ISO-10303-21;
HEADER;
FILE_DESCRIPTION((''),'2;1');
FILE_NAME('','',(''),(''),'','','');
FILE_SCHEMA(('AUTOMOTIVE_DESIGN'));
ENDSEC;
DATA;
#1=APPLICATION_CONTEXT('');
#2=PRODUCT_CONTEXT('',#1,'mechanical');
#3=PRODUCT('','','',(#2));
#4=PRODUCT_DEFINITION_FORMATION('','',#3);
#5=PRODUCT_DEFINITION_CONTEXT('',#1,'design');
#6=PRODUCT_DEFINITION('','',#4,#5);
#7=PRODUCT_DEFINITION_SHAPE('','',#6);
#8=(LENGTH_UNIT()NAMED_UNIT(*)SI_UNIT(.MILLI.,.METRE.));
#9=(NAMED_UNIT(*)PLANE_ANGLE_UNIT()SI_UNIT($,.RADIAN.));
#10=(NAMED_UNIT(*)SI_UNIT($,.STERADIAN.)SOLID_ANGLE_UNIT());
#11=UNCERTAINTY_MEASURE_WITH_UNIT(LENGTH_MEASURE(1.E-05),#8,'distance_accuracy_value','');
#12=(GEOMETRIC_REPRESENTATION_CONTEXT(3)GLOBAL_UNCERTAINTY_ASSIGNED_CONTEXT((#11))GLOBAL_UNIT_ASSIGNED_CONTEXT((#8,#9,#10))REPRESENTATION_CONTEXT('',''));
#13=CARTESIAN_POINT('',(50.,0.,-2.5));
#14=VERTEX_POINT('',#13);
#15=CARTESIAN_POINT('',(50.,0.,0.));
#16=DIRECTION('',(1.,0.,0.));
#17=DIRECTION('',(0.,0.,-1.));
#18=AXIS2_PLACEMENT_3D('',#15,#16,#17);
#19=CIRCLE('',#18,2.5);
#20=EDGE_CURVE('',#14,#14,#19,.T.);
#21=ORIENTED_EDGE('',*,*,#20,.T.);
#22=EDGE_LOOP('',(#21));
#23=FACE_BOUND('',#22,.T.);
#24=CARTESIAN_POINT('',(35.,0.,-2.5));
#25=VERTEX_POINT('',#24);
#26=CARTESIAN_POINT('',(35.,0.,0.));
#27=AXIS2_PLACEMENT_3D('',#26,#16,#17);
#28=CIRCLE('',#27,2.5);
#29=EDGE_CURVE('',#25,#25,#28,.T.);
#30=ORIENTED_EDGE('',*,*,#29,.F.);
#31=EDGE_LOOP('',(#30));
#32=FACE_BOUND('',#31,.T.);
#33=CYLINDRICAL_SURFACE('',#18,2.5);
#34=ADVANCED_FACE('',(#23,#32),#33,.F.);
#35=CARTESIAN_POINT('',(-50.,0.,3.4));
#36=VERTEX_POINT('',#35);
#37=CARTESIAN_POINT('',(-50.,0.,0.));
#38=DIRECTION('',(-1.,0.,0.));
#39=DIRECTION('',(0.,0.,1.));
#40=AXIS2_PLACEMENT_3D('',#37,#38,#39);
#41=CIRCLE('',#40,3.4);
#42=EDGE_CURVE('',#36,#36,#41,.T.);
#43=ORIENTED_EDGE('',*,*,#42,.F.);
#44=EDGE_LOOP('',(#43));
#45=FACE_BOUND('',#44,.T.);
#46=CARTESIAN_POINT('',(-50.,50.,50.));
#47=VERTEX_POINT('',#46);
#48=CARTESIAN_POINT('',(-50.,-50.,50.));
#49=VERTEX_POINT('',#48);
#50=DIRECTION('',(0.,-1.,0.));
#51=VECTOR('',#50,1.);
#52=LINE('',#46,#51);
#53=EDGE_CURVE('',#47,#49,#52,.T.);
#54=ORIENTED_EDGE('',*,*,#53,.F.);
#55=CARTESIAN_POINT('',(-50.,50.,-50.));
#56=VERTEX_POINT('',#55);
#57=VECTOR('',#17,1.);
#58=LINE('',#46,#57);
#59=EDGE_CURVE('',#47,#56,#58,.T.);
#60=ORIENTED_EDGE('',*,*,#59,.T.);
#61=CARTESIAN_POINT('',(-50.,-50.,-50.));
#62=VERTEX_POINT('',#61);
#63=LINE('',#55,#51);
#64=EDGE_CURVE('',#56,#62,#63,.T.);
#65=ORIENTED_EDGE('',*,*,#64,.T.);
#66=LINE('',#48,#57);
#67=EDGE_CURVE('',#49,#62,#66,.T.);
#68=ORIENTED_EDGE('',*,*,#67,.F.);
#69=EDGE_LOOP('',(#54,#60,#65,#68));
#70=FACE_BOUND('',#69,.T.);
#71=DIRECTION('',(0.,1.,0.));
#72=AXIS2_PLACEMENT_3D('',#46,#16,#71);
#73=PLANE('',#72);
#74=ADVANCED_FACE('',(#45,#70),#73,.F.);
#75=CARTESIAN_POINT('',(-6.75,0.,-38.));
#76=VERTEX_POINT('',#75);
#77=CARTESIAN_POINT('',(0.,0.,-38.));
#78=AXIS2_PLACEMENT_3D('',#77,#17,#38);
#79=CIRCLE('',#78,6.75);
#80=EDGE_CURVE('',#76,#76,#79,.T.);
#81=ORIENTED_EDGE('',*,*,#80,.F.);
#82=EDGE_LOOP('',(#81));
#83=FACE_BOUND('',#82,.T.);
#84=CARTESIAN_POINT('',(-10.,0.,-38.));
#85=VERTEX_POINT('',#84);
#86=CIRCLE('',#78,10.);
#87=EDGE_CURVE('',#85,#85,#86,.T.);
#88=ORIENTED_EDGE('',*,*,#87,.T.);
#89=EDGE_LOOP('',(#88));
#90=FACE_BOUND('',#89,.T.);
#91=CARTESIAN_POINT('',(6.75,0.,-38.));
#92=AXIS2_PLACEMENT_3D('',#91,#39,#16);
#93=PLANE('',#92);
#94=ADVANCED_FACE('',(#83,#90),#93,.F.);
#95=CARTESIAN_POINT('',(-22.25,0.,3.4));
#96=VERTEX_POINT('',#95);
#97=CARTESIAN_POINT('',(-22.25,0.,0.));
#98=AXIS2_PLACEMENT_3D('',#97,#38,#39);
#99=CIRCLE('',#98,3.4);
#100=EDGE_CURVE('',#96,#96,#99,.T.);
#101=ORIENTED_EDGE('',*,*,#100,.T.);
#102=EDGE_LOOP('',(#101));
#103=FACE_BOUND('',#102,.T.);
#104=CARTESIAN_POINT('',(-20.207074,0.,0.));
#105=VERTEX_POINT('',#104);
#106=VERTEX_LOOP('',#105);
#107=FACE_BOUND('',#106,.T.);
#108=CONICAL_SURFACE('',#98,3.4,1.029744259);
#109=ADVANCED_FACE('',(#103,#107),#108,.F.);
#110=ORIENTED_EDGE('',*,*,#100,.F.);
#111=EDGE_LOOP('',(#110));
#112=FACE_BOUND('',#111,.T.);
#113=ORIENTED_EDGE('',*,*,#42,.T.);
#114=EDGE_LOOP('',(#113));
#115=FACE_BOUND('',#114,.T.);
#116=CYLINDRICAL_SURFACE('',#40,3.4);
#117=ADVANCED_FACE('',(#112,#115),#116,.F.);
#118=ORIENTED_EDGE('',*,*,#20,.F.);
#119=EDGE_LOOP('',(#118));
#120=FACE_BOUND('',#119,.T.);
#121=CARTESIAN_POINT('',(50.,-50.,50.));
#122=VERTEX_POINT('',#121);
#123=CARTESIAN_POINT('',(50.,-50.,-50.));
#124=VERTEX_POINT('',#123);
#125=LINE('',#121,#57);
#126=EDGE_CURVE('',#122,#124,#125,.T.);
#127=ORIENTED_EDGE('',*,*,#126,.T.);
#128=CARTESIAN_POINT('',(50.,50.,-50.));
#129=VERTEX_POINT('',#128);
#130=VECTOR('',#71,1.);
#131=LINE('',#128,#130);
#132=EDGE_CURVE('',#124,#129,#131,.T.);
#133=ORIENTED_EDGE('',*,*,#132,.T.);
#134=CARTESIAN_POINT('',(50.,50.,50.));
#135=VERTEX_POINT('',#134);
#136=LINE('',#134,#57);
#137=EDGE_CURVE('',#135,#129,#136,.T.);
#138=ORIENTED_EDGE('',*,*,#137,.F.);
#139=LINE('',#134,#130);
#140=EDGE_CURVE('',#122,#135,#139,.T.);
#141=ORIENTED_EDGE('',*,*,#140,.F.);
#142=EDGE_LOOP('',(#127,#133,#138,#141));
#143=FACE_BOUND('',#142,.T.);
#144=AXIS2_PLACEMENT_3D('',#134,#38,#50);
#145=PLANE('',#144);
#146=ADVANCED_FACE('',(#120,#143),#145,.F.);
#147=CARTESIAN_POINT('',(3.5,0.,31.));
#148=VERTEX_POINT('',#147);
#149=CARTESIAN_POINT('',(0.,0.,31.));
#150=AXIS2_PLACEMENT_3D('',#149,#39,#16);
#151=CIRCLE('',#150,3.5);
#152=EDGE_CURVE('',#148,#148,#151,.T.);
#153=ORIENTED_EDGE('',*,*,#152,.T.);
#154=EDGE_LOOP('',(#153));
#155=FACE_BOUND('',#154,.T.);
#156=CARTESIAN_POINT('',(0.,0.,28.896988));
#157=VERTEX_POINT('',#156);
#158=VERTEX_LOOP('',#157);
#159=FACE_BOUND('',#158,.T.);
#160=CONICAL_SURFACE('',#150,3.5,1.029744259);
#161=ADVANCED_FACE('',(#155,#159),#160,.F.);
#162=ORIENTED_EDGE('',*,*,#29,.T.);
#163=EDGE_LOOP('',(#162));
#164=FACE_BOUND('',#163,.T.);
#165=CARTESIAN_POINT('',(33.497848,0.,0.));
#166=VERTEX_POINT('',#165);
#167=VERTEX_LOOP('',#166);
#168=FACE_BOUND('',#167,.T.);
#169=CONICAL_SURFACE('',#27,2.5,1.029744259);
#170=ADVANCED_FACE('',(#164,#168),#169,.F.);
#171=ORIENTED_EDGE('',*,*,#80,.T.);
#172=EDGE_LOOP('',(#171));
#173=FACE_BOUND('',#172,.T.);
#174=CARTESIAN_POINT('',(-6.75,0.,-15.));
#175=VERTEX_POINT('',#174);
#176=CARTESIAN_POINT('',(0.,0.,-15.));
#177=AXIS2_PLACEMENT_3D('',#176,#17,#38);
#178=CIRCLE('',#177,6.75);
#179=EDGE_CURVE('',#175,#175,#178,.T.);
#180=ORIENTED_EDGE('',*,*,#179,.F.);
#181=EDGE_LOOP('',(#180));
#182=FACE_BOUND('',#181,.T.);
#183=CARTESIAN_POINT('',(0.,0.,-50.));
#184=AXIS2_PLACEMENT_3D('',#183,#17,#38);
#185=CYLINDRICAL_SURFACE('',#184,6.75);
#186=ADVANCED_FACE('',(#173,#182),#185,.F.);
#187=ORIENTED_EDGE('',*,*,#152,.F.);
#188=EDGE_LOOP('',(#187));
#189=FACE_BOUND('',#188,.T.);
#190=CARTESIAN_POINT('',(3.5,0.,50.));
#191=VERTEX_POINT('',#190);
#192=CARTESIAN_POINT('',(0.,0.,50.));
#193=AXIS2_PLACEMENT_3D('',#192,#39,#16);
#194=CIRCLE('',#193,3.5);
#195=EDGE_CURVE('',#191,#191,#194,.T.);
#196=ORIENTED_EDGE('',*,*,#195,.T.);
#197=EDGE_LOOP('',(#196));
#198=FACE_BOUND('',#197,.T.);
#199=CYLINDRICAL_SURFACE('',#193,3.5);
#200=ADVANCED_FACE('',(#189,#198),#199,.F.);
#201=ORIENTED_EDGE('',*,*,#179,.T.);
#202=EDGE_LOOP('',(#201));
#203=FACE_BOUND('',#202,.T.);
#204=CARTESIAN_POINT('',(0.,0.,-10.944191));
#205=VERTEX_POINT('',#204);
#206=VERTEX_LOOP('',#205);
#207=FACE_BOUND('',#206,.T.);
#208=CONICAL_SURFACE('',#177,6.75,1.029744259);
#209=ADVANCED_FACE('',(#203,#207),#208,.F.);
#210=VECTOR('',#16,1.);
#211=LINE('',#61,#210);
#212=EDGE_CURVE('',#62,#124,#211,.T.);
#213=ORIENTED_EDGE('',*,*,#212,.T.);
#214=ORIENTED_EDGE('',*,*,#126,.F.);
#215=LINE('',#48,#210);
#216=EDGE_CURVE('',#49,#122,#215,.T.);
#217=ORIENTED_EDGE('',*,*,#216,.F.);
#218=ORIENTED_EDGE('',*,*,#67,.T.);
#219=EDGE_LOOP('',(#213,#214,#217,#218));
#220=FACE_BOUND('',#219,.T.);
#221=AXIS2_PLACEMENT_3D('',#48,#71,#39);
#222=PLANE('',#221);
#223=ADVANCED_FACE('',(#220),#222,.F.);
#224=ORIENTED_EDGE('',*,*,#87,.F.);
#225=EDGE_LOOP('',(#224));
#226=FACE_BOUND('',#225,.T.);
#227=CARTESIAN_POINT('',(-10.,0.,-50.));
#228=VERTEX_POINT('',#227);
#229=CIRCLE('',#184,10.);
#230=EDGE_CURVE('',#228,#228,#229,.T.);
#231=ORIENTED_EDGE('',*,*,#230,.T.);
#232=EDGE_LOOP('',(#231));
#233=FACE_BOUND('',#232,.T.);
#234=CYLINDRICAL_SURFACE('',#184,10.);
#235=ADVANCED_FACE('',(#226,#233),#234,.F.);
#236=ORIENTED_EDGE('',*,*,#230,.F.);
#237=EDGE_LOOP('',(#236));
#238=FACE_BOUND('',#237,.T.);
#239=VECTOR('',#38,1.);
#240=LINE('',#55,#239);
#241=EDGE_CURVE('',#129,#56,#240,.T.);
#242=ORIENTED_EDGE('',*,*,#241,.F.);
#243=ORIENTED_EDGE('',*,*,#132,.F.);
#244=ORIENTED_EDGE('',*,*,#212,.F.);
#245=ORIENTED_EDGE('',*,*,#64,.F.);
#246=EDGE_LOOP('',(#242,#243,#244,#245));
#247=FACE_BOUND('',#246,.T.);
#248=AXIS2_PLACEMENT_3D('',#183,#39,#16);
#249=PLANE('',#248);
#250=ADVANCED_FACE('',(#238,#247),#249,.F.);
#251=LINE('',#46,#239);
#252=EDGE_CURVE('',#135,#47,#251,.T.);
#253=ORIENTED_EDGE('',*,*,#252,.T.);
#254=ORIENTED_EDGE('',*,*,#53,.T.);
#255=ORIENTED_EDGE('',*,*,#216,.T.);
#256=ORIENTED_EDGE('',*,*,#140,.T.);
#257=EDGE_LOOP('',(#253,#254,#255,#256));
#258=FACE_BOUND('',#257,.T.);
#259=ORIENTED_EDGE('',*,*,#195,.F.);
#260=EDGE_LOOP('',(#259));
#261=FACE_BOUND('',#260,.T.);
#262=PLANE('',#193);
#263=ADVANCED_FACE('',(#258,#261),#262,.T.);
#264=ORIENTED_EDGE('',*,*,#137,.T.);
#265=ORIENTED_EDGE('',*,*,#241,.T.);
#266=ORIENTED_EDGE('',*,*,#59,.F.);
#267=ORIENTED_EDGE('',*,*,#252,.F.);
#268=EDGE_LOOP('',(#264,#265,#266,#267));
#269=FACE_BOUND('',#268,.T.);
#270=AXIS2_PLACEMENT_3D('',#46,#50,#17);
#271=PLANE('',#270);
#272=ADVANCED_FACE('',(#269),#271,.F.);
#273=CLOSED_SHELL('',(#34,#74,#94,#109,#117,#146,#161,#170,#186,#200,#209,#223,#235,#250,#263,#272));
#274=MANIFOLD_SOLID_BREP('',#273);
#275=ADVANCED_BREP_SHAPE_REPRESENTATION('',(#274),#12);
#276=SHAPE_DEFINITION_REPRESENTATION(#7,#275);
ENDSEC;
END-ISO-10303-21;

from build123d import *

# Parameters (mm, degrees)
SKETCH1_W                       = 100
SKETCH1_H                       = 100
BOSS_EXTRUDE1_DEPTH             = 50
M8X1_25_TAPPED_HOLE1_D          = 6.8
M8X1_25_TAPPED_HOLE1_DEPTH      = 27.75
M8X1_25_TAPPED_HOLE1_TIP        = 2.042926105
M8X1_0_TAPPED_HOLE1_D           = 7
M8X1_0_TAPPED_HOLE1_DEPTH       = 19
M8X1_0_TAPPED_HOLE1_TIP         = 2.103012167
M6X1_0_TAPPED_HOLE1_D           = 5
M6X1_0_TAPPED_HOLE1_DEPTH       = 15
M6X1_0_TAPPED_HOLE1_TIP         = 1.502151548
CBORE_FOR_M12_SHCS1_D           = 13.5
CBORE_FOR_M12_SHCS1_DEPTH       = 35
CBORE_FOR_M12_SHCS1_CBORE_D     = 20
CBORE_FOR_M12_SHCS1_CBORE_DEPTH = 12
CBORE_FOR_M12_SHCS1_TIP         = 4.055809178


with BuildPart() as part:
    # Sketch1 → Boss-Extrude1 (new body, symmetric)
    with BuildSketch(Plane.XY):
        Rectangle(SKETCH1_W, SKETCH1_H)
    extrude(amount=BOSS_EXTRUDE1_DEPTH, both=True)

    # M8x1.25 Tapped Hole1
    with Locations(Plane.ZY.offset(50)):
        with Locations((0, 0)):
            Hole(M8X1_25_TAPPED_HOLE1_D / 2, depth=M8X1_25_TAPPED_HOLE1_DEPTH)
            with Locations((0, 0, -(M8X1_25_TAPPED_HOLE1_DEPTH + M8X1_25_TAPPED_HOLE1_TIP / 2))):  # 118° drill point
                Cone(0, M8X1_25_TAPPED_HOLE1_D / 2, M8X1_25_TAPPED_HOLE1_TIP, mode=Mode.SUBTRACT)

    # M8x1.0 Tapped Hole1
    with Locations(Plane.XY.offset(50)):
        with Locations((0, 0)):
            Hole(M8X1_0_TAPPED_HOLE1_D / 2, depth=M8X1_0_TAPPED_HOLE1_DEPTH)
            with Locations((0, 0, -(M8X1_0_TAPPED_HOLE1_DEPTH + M8X1_0_TAPPED_HOLE1_TIP / 2))):  # 118° drill point
                Cone(0, M8X1_0_TAPPED_HOLE1_D / 2, M8X1_0_TAPPED_HOLE1_TIP, mode=Mode.SUBTRACT)

    # M6x1.0 Tapped Hole1
    with Locations(Plane(origin=(50, 0, 0), x_dir=(0, 0, -1), z_dir=(1, 0, 0))):
        with Locations((0, 0)):
            Hole(M6X1_0_TAPPED_HOLE1_D / 2, depth=M6X1_0_TAPPED_HOLE1_DEPTH)
            with Locations((0, 0, -(M6X1_0_TAPPED_HOLE1_DEPTH + M6X1_0_TAPPED_HOLE1_TIP / 2))):  # 118° drill point
                Cone(0, M6X1_0_TAPPED_HOLE1_D / 2, M6X1_0_TAPPED_HOLE1_TIP, mode=Mode.SUBTRACT)

    # CBORE for M12 SHCS1
    with Locations(Plane(origin=(0, 0, -50), x_dir=(-1, 0, 0), z_dir=(0, 0, -1))):
        with Locations((0, 0)):
            CounterBoreHole(CBORE_FOR_M12_SHCS1_D / 2, CBORE_FOR_M12_SHCS1_CBORE_D / 2, CBORE_FOR_M12_SHCS1_CBORE_DEPTH, depth=CBORE_FOR_M12_SHCS1_DEPTH)
            with Locations((0, 0, -(CBORE_FOR_M12_SHCS1_DEPTH + CBORE_FOR_M12_SHCS1_TIP / 2))):  # 118° drill point
                Cone(0, CBORE_FOR_M12_SHCS1_D / 2, CBORE_FOR_M12_SHCS1_TIP, mode=Mode.SUBTRACT)


solid = part.part
